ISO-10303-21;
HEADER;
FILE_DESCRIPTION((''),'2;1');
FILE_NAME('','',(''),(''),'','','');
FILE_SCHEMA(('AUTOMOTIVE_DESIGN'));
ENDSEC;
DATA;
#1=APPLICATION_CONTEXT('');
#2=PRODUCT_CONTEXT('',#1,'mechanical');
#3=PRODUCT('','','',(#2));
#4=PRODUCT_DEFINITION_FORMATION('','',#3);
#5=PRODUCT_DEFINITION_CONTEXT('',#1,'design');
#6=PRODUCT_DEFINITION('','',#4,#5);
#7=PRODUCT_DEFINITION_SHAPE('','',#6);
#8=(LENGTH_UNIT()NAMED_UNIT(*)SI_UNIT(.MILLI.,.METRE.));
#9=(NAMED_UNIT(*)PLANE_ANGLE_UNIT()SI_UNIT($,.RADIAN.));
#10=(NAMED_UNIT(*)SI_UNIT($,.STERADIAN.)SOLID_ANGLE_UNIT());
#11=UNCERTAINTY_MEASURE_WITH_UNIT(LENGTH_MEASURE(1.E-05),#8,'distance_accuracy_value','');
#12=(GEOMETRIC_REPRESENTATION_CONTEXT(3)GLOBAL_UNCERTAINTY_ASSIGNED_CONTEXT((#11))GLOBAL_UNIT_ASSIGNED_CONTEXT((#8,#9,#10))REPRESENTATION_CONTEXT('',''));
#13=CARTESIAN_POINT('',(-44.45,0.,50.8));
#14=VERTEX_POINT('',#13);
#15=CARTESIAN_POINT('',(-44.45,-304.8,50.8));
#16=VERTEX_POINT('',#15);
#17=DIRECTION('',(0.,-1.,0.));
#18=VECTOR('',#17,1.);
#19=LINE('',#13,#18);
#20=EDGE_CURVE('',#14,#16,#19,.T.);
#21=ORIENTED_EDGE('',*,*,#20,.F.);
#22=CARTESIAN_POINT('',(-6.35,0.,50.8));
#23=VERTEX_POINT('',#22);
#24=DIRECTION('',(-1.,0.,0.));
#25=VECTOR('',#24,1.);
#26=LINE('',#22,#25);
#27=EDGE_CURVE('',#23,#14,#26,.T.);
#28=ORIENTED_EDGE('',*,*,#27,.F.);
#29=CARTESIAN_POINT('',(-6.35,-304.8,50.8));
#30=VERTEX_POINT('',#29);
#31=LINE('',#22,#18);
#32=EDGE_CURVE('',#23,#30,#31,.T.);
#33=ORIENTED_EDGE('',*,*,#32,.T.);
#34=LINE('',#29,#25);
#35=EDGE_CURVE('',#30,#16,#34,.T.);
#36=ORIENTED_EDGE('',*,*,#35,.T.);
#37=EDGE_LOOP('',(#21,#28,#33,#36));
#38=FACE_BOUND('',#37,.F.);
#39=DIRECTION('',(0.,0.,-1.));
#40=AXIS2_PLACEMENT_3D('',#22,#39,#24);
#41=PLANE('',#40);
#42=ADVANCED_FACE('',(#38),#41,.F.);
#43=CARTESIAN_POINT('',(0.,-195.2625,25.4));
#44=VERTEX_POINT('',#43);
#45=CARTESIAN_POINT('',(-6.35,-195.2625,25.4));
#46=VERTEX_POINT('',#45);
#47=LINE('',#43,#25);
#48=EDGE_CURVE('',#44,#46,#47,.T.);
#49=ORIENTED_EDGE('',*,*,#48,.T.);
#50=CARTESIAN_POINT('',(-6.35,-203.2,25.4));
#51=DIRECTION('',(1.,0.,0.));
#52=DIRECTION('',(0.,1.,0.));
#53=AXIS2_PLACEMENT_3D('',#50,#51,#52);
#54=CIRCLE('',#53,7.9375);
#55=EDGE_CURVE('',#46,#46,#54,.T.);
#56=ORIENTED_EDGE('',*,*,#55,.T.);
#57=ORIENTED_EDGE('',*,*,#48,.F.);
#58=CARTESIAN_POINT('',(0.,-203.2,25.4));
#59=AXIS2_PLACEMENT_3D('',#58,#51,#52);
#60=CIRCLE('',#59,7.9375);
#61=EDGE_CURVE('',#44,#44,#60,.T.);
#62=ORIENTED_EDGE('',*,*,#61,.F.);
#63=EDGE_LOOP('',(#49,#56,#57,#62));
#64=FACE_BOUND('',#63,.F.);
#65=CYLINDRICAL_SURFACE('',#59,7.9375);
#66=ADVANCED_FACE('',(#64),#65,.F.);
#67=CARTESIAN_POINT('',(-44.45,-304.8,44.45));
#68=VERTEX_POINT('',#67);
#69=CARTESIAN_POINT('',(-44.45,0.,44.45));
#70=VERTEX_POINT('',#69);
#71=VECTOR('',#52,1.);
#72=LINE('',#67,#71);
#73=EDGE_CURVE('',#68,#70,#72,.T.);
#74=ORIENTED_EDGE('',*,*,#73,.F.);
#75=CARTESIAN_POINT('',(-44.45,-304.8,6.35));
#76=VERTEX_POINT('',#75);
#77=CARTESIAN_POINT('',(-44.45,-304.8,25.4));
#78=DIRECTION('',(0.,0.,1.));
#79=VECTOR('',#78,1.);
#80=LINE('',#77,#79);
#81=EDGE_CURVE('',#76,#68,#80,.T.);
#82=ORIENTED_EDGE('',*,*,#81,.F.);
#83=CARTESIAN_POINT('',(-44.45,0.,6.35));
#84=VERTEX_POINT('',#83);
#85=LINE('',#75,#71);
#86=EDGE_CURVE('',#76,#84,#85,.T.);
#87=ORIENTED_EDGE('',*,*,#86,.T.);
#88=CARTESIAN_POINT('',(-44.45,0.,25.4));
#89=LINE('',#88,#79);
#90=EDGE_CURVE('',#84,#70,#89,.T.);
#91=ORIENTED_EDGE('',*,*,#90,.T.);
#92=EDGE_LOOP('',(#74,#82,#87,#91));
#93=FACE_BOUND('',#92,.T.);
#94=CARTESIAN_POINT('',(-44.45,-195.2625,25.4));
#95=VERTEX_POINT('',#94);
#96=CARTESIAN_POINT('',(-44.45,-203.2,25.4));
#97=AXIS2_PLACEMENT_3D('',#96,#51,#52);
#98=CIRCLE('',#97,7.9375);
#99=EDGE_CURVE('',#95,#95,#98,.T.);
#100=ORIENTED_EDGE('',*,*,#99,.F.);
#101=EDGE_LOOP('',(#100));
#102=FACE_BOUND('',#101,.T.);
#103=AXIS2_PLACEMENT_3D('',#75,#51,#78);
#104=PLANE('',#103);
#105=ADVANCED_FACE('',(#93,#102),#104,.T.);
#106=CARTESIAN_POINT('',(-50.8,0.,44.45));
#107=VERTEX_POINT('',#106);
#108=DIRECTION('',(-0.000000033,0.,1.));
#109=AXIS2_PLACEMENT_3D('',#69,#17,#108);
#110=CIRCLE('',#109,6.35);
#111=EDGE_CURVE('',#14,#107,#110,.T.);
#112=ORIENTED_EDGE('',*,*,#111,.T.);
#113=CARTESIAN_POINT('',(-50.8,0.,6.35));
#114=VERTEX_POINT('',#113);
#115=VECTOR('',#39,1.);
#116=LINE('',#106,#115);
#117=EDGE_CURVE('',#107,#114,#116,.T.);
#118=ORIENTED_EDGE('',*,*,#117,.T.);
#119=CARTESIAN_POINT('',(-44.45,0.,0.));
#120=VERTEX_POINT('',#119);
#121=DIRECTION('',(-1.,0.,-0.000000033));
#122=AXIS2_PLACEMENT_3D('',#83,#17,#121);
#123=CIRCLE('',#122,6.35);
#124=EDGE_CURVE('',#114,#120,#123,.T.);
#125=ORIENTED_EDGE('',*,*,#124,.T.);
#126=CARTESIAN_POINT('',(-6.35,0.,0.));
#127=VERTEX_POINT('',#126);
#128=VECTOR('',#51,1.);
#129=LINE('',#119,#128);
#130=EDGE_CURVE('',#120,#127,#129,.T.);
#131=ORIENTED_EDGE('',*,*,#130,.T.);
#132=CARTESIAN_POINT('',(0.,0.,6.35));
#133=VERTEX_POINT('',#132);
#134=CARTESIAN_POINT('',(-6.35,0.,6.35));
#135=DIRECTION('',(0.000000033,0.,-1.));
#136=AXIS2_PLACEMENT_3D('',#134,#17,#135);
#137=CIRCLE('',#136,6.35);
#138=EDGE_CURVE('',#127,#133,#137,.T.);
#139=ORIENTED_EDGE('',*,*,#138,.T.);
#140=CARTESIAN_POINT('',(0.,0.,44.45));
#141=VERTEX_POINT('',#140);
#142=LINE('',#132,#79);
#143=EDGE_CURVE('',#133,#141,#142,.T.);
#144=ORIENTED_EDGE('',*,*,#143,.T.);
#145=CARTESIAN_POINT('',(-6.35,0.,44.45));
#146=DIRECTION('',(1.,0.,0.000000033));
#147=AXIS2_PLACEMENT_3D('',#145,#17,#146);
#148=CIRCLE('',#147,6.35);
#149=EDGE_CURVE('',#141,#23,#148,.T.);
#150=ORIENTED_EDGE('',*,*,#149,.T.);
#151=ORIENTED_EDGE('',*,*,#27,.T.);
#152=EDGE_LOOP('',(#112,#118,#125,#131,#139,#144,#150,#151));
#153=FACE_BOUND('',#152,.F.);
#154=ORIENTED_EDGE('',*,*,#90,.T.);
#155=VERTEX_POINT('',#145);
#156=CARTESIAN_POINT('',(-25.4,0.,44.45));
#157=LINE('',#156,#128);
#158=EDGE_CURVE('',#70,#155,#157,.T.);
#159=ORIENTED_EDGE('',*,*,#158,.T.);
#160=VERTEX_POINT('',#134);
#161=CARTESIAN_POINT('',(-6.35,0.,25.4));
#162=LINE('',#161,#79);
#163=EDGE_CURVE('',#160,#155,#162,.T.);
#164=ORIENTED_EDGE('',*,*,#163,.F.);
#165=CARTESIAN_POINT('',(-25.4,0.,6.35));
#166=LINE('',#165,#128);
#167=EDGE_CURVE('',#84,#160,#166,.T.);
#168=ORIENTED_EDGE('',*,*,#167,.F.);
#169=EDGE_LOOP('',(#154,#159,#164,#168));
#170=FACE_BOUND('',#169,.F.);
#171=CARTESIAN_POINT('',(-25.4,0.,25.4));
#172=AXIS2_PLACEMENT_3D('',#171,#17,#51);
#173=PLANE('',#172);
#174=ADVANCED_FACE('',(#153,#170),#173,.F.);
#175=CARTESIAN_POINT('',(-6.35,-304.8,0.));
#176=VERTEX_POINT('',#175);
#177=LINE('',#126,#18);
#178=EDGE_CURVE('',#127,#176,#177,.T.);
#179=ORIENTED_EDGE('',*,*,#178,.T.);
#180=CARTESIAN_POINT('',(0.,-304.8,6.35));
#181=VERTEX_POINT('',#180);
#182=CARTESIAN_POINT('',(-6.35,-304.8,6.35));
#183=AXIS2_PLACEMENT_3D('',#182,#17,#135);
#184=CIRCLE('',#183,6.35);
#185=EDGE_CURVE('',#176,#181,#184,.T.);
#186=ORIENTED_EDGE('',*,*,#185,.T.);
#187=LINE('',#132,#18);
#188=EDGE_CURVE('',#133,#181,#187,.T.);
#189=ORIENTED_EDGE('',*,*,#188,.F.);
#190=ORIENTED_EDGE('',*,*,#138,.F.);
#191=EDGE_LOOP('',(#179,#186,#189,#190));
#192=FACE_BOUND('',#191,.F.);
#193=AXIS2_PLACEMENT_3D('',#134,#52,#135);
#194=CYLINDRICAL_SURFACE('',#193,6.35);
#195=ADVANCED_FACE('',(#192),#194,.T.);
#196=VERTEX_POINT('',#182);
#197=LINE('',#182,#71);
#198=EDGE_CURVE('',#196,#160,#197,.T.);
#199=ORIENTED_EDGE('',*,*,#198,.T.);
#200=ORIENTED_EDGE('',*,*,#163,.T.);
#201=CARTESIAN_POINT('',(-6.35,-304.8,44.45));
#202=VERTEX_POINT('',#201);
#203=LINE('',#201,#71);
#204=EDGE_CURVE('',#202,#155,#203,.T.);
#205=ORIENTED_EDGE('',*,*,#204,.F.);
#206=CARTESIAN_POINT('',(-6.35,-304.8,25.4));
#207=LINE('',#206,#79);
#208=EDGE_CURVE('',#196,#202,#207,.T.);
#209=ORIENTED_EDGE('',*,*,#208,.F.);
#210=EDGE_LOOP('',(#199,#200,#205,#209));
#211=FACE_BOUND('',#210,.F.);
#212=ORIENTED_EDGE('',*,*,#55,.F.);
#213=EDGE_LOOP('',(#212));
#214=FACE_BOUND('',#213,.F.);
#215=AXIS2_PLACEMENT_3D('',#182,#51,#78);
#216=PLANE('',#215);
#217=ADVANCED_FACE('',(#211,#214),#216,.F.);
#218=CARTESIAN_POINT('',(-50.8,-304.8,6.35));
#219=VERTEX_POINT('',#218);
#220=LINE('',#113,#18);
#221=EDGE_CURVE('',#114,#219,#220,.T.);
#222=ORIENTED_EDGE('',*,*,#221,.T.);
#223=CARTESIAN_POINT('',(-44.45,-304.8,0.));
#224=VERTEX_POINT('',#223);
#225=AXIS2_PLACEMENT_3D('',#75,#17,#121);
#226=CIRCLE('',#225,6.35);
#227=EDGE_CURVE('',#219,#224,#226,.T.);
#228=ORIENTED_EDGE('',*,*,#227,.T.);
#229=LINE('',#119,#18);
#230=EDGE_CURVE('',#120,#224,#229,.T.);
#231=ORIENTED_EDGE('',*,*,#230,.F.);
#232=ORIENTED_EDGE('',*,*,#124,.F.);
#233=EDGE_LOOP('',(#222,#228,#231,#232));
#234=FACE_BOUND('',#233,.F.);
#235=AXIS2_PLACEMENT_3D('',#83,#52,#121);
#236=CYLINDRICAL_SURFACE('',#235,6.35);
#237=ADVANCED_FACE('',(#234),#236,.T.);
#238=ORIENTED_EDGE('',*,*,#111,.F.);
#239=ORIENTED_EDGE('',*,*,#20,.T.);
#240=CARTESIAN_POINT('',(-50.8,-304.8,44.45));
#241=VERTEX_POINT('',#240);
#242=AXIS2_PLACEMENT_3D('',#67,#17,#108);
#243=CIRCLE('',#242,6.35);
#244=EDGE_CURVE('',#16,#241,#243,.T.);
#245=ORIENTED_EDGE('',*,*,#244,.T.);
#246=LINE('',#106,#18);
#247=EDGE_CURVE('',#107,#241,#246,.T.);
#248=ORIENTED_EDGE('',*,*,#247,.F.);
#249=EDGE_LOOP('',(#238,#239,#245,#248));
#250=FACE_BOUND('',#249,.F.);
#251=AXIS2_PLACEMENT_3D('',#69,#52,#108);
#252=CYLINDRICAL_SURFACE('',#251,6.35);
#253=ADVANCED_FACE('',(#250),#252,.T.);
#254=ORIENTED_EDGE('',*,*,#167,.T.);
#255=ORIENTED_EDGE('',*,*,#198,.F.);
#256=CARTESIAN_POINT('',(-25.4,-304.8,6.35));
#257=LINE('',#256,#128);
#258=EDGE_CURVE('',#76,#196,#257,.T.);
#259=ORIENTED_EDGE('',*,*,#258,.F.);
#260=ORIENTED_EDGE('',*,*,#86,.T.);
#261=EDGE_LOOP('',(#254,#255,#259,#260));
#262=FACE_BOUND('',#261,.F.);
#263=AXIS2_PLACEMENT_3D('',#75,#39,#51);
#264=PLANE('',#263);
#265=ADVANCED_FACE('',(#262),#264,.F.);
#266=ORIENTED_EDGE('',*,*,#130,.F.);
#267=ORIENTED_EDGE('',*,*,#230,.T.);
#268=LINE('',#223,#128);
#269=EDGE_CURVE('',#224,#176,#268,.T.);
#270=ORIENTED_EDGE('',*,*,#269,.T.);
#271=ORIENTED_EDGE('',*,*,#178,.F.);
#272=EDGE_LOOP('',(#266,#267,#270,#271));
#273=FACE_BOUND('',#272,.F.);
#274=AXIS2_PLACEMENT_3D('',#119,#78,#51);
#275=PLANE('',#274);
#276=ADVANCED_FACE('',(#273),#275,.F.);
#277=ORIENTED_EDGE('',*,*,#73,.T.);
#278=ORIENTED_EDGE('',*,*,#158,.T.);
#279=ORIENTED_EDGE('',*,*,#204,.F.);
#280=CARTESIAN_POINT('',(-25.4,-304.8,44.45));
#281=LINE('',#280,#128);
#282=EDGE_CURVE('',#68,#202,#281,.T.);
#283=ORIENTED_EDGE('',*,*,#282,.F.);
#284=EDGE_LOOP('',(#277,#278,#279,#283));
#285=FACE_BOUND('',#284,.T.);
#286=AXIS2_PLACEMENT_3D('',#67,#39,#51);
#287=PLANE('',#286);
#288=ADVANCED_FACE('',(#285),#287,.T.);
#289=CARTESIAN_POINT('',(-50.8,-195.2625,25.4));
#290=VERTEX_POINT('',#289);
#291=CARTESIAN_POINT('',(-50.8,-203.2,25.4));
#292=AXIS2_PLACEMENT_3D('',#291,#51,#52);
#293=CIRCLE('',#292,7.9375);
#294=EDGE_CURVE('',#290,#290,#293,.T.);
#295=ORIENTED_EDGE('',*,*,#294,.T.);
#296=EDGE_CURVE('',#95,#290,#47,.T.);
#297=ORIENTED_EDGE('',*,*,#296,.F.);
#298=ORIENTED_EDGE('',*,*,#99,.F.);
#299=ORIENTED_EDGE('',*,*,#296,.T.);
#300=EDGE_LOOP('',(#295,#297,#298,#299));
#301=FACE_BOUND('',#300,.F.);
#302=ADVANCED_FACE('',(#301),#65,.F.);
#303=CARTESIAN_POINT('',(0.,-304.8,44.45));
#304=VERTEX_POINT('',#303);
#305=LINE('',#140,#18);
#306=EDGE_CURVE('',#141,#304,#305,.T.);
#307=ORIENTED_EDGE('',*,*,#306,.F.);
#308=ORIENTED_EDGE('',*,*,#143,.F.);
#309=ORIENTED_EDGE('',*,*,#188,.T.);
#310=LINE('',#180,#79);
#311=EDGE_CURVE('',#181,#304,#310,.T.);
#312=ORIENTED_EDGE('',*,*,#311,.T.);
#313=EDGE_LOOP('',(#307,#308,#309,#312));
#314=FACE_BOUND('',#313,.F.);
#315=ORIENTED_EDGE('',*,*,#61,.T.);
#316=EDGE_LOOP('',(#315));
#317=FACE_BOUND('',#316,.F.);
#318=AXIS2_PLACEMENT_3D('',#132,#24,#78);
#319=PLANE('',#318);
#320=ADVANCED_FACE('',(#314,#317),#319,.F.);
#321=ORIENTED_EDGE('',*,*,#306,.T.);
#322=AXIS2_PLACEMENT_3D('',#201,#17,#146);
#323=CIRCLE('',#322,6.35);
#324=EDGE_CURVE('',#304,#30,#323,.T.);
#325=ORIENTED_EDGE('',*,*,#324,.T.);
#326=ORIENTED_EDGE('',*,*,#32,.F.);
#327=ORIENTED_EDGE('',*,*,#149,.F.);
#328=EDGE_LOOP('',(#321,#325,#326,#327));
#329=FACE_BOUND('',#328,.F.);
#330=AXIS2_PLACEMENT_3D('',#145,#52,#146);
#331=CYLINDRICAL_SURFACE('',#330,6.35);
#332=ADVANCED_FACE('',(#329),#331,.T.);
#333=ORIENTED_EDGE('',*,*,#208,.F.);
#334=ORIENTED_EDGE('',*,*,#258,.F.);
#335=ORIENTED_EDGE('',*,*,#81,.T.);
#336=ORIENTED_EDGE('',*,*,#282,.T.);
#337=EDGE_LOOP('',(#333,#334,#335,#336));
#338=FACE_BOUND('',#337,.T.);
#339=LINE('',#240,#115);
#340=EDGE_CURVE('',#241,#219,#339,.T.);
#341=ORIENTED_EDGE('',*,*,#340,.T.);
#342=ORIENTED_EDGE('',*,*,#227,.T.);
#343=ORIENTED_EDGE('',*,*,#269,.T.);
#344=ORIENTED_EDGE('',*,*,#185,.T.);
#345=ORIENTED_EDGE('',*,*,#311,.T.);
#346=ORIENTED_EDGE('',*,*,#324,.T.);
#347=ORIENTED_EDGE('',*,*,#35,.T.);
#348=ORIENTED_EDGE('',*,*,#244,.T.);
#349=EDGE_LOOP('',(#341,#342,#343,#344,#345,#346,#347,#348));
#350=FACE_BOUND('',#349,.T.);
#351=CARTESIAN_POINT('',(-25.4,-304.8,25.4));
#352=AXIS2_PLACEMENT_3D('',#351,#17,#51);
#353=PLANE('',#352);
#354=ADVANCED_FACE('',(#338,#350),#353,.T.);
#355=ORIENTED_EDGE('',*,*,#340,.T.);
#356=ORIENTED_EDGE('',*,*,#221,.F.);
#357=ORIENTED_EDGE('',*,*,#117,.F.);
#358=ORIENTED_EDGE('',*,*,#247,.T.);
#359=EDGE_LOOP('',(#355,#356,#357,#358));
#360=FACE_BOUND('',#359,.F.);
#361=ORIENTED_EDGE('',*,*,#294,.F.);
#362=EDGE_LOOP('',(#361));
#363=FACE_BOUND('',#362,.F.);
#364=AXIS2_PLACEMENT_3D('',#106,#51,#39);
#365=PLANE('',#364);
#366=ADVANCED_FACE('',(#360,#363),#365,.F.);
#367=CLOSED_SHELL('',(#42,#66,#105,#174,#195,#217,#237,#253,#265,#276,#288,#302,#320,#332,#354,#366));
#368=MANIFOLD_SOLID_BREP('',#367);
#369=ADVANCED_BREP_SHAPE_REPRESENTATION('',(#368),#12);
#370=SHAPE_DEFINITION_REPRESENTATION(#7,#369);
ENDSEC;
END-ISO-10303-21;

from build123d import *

# Parameters (mm, degrees)
F1_DEPTH = 304.8
F2_W     = 38.1
F2_H     = 38.1
F3_DEPTH = 304.8
F4_R     = 7.9375
F5_DEPTH = 50.8


with BuildPart() as f1:
    # F0 (on Front) → F1 (new body)
    with BuildSketch(Plane.XZ):
        with BuildLine():
            Line((-44.45, 0), (-6.35, 0))
            ThreePointArc((-6.35, 0), (-1.859872, 1.859872), (0, 6.35))
            Line((0, 6.35), (0, 44.45))
            ThreePointArc((0, 44.45), (-1.859872, 48.940128), (-6.35, 50.8))
            Line((-6.35, 50.8), (-44.45, 50.8))
            ThreePointArc((-44.45, 50.8), (-48.940128, 48.940128), (-50.8, 44.45))
            Line((-50.8, 44.45), (-50.8, 6.35))
            ThreePointArc((-50.8, 6.35), (-48.940128, 1.859872), (-44.45, 0))
        make_face()
    extrude(amount=F1_DEPTH)

    # F2 (on face) → F3 (cut)
    with BuildSketch(Plane.XZ.offset(304.8)):
        with Locations((-25.4, 25.4)):
            Rectangle(F2_W, F2_H)
    extrude(amount=-F3_DEPTH, mode=Mode.SUBTRACT)

    # F4 (on face) → F5 (cut)
    with BuildSketch(Plane.YZ):
        with Locations((-203.2, 25.4)):
            Circle(F4_R)
    extrude(amount=-F5_DEPTH, mode=Mode.SUBTRACT)


solid = f1.part
